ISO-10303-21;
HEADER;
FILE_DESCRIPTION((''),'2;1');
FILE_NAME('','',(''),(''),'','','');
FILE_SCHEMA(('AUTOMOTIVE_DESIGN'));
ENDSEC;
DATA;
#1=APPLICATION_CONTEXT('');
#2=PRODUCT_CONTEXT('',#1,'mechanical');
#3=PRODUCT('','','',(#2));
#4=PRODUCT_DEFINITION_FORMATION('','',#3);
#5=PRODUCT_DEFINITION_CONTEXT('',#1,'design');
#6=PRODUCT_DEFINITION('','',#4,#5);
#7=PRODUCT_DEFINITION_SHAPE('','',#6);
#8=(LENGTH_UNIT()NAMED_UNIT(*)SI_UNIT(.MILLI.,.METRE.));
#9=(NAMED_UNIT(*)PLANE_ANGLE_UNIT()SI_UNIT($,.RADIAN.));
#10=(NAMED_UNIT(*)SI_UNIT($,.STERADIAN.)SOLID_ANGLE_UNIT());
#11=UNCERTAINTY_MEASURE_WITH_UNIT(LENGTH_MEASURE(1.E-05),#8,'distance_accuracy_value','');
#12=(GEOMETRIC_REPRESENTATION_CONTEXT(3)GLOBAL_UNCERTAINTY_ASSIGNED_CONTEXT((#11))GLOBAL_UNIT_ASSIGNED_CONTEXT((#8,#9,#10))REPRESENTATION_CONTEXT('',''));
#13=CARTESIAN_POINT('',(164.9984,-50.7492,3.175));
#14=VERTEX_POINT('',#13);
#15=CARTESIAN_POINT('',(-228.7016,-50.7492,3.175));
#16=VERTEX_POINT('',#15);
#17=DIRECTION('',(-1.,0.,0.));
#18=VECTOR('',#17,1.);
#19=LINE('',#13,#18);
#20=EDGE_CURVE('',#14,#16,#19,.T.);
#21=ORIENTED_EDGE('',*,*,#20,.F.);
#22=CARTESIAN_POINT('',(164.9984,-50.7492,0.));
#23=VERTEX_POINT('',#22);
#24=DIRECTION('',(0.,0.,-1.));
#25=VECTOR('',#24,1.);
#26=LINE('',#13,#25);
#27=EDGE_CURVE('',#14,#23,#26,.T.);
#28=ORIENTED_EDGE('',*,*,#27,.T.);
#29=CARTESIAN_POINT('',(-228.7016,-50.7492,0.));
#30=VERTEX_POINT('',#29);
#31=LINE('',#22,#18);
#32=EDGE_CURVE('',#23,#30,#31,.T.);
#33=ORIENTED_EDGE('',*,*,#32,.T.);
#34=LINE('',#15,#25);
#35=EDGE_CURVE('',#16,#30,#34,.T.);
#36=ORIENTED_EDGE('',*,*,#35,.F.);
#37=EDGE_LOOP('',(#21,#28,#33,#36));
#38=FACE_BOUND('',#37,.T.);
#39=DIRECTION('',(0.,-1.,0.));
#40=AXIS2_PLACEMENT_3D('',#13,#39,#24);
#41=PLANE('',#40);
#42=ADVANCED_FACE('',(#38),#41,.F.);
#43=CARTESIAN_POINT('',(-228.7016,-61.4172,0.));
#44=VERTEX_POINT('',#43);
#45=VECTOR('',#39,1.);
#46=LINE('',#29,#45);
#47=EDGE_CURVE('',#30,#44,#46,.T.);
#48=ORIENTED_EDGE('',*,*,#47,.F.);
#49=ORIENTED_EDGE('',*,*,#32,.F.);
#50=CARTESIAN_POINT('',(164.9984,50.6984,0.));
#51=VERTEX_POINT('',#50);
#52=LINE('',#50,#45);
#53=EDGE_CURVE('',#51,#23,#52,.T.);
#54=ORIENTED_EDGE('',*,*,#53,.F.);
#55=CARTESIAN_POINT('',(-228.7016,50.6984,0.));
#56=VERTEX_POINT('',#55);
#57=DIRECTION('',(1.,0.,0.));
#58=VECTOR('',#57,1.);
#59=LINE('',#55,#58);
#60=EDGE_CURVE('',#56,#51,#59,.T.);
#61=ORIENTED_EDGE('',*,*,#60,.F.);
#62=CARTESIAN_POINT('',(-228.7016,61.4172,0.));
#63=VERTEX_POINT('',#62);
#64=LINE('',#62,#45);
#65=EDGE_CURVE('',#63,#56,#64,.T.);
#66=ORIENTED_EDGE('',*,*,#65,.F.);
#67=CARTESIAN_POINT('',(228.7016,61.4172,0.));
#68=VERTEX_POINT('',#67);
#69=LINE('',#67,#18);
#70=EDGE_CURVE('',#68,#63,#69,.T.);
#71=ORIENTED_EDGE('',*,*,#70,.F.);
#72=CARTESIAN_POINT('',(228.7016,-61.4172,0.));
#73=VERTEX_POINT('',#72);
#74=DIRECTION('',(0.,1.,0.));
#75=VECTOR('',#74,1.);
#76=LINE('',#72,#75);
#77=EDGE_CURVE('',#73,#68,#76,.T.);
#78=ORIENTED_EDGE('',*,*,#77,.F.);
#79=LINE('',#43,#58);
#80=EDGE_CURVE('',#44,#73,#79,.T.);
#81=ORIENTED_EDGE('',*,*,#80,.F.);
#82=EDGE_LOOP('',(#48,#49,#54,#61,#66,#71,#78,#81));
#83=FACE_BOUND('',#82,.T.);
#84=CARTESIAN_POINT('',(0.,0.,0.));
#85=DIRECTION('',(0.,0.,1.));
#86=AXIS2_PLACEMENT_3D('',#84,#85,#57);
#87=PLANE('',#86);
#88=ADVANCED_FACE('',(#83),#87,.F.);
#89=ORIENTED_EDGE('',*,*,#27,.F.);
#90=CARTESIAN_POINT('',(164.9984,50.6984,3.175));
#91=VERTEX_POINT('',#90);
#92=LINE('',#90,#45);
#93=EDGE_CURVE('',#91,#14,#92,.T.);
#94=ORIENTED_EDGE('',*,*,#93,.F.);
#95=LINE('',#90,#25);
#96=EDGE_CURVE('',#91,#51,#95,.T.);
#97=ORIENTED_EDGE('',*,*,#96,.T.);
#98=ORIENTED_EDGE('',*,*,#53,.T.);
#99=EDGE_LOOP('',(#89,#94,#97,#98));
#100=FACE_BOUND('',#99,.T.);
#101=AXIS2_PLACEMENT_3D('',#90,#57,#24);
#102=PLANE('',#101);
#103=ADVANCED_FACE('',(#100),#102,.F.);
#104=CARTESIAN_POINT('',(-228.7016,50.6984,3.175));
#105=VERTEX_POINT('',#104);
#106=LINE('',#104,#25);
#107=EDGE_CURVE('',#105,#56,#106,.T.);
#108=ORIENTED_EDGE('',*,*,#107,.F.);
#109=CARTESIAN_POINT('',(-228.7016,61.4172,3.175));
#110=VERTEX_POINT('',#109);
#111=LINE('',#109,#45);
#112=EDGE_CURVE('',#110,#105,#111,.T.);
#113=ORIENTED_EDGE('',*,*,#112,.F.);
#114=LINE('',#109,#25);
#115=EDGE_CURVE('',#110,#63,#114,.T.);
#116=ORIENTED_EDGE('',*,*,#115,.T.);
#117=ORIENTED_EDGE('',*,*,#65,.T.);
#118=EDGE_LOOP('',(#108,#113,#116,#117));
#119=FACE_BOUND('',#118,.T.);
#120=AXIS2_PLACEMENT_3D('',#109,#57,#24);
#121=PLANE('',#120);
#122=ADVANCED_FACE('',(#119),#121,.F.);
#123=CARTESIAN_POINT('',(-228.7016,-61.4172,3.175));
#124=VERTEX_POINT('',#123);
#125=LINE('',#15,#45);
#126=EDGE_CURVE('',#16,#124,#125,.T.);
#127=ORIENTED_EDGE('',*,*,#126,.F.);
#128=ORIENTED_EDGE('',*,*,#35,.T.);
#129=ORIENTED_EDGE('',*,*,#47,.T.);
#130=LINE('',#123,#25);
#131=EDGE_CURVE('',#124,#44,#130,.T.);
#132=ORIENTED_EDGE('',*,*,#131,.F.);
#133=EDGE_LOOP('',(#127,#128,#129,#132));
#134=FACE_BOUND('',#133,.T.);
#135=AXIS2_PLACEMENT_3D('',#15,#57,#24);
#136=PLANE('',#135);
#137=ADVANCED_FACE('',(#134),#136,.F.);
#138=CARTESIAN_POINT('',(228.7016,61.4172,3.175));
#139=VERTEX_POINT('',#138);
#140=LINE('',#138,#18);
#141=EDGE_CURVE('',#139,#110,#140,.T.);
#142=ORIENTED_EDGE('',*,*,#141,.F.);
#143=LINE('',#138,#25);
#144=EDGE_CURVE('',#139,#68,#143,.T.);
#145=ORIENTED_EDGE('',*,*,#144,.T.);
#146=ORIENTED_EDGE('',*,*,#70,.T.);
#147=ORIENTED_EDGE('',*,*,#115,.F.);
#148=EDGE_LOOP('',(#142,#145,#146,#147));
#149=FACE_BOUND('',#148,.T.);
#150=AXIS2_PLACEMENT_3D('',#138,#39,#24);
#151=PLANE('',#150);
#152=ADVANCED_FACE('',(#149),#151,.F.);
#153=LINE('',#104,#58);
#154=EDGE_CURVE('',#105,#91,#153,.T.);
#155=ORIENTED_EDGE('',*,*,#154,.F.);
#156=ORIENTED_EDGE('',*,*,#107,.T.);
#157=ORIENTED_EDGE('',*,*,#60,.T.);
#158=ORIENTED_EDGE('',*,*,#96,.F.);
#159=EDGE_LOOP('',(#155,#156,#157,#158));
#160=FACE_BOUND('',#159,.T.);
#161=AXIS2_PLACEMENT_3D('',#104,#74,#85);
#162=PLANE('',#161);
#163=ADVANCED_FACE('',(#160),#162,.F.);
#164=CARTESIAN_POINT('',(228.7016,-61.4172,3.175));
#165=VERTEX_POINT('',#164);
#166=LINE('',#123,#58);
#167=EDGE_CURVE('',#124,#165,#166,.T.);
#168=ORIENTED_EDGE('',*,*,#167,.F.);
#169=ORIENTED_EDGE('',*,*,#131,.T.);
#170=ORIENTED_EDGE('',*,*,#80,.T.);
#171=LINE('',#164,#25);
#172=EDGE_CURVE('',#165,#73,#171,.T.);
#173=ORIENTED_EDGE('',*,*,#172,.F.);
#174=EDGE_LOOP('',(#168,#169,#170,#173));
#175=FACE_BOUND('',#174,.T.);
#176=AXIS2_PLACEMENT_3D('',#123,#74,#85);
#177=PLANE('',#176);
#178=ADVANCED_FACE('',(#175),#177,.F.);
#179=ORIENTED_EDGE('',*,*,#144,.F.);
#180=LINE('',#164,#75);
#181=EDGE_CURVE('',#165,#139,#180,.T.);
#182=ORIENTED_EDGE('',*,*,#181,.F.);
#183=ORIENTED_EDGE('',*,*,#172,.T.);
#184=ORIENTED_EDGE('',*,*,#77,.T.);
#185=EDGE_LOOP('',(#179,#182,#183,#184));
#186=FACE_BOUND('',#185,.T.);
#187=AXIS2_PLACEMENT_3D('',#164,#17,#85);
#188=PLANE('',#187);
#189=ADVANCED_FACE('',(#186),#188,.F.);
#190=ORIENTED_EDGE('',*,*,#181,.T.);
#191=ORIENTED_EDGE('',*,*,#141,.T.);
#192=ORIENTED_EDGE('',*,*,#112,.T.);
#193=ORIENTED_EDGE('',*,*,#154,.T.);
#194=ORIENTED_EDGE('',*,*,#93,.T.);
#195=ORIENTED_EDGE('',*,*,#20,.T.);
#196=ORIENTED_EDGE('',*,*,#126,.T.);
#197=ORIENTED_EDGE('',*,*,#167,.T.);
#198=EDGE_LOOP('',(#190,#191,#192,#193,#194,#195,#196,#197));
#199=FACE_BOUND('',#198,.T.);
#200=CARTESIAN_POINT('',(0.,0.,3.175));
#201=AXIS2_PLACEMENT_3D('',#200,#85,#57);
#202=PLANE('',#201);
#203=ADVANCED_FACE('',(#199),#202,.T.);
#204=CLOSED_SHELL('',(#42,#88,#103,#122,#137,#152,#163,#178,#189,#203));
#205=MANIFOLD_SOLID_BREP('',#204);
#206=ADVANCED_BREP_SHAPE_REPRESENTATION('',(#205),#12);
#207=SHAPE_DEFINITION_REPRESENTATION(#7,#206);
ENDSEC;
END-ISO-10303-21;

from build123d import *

# Parameters (mm, degrees)
BOSS_EXTRUDE1_DEPTH = 3.175


with BuildPart() as part:
    # Sketch1 → Boss-Extrude1 (new body)
    with BuildSketch(Plane.XY):
        Polygon((-228.7016, -61.4172), (228.7016, -61.4172), (228.7016, 61.4172), (-228.7016, 61.4172), (-228.7016, 50.6984), (164.9984, 50.6984), (164.9984, -50.7492), (-228.7016, -50.7492), align=None)
    extrude(amount=BOSS_EXTRUDE1_DEPTH)


solid = part.part
